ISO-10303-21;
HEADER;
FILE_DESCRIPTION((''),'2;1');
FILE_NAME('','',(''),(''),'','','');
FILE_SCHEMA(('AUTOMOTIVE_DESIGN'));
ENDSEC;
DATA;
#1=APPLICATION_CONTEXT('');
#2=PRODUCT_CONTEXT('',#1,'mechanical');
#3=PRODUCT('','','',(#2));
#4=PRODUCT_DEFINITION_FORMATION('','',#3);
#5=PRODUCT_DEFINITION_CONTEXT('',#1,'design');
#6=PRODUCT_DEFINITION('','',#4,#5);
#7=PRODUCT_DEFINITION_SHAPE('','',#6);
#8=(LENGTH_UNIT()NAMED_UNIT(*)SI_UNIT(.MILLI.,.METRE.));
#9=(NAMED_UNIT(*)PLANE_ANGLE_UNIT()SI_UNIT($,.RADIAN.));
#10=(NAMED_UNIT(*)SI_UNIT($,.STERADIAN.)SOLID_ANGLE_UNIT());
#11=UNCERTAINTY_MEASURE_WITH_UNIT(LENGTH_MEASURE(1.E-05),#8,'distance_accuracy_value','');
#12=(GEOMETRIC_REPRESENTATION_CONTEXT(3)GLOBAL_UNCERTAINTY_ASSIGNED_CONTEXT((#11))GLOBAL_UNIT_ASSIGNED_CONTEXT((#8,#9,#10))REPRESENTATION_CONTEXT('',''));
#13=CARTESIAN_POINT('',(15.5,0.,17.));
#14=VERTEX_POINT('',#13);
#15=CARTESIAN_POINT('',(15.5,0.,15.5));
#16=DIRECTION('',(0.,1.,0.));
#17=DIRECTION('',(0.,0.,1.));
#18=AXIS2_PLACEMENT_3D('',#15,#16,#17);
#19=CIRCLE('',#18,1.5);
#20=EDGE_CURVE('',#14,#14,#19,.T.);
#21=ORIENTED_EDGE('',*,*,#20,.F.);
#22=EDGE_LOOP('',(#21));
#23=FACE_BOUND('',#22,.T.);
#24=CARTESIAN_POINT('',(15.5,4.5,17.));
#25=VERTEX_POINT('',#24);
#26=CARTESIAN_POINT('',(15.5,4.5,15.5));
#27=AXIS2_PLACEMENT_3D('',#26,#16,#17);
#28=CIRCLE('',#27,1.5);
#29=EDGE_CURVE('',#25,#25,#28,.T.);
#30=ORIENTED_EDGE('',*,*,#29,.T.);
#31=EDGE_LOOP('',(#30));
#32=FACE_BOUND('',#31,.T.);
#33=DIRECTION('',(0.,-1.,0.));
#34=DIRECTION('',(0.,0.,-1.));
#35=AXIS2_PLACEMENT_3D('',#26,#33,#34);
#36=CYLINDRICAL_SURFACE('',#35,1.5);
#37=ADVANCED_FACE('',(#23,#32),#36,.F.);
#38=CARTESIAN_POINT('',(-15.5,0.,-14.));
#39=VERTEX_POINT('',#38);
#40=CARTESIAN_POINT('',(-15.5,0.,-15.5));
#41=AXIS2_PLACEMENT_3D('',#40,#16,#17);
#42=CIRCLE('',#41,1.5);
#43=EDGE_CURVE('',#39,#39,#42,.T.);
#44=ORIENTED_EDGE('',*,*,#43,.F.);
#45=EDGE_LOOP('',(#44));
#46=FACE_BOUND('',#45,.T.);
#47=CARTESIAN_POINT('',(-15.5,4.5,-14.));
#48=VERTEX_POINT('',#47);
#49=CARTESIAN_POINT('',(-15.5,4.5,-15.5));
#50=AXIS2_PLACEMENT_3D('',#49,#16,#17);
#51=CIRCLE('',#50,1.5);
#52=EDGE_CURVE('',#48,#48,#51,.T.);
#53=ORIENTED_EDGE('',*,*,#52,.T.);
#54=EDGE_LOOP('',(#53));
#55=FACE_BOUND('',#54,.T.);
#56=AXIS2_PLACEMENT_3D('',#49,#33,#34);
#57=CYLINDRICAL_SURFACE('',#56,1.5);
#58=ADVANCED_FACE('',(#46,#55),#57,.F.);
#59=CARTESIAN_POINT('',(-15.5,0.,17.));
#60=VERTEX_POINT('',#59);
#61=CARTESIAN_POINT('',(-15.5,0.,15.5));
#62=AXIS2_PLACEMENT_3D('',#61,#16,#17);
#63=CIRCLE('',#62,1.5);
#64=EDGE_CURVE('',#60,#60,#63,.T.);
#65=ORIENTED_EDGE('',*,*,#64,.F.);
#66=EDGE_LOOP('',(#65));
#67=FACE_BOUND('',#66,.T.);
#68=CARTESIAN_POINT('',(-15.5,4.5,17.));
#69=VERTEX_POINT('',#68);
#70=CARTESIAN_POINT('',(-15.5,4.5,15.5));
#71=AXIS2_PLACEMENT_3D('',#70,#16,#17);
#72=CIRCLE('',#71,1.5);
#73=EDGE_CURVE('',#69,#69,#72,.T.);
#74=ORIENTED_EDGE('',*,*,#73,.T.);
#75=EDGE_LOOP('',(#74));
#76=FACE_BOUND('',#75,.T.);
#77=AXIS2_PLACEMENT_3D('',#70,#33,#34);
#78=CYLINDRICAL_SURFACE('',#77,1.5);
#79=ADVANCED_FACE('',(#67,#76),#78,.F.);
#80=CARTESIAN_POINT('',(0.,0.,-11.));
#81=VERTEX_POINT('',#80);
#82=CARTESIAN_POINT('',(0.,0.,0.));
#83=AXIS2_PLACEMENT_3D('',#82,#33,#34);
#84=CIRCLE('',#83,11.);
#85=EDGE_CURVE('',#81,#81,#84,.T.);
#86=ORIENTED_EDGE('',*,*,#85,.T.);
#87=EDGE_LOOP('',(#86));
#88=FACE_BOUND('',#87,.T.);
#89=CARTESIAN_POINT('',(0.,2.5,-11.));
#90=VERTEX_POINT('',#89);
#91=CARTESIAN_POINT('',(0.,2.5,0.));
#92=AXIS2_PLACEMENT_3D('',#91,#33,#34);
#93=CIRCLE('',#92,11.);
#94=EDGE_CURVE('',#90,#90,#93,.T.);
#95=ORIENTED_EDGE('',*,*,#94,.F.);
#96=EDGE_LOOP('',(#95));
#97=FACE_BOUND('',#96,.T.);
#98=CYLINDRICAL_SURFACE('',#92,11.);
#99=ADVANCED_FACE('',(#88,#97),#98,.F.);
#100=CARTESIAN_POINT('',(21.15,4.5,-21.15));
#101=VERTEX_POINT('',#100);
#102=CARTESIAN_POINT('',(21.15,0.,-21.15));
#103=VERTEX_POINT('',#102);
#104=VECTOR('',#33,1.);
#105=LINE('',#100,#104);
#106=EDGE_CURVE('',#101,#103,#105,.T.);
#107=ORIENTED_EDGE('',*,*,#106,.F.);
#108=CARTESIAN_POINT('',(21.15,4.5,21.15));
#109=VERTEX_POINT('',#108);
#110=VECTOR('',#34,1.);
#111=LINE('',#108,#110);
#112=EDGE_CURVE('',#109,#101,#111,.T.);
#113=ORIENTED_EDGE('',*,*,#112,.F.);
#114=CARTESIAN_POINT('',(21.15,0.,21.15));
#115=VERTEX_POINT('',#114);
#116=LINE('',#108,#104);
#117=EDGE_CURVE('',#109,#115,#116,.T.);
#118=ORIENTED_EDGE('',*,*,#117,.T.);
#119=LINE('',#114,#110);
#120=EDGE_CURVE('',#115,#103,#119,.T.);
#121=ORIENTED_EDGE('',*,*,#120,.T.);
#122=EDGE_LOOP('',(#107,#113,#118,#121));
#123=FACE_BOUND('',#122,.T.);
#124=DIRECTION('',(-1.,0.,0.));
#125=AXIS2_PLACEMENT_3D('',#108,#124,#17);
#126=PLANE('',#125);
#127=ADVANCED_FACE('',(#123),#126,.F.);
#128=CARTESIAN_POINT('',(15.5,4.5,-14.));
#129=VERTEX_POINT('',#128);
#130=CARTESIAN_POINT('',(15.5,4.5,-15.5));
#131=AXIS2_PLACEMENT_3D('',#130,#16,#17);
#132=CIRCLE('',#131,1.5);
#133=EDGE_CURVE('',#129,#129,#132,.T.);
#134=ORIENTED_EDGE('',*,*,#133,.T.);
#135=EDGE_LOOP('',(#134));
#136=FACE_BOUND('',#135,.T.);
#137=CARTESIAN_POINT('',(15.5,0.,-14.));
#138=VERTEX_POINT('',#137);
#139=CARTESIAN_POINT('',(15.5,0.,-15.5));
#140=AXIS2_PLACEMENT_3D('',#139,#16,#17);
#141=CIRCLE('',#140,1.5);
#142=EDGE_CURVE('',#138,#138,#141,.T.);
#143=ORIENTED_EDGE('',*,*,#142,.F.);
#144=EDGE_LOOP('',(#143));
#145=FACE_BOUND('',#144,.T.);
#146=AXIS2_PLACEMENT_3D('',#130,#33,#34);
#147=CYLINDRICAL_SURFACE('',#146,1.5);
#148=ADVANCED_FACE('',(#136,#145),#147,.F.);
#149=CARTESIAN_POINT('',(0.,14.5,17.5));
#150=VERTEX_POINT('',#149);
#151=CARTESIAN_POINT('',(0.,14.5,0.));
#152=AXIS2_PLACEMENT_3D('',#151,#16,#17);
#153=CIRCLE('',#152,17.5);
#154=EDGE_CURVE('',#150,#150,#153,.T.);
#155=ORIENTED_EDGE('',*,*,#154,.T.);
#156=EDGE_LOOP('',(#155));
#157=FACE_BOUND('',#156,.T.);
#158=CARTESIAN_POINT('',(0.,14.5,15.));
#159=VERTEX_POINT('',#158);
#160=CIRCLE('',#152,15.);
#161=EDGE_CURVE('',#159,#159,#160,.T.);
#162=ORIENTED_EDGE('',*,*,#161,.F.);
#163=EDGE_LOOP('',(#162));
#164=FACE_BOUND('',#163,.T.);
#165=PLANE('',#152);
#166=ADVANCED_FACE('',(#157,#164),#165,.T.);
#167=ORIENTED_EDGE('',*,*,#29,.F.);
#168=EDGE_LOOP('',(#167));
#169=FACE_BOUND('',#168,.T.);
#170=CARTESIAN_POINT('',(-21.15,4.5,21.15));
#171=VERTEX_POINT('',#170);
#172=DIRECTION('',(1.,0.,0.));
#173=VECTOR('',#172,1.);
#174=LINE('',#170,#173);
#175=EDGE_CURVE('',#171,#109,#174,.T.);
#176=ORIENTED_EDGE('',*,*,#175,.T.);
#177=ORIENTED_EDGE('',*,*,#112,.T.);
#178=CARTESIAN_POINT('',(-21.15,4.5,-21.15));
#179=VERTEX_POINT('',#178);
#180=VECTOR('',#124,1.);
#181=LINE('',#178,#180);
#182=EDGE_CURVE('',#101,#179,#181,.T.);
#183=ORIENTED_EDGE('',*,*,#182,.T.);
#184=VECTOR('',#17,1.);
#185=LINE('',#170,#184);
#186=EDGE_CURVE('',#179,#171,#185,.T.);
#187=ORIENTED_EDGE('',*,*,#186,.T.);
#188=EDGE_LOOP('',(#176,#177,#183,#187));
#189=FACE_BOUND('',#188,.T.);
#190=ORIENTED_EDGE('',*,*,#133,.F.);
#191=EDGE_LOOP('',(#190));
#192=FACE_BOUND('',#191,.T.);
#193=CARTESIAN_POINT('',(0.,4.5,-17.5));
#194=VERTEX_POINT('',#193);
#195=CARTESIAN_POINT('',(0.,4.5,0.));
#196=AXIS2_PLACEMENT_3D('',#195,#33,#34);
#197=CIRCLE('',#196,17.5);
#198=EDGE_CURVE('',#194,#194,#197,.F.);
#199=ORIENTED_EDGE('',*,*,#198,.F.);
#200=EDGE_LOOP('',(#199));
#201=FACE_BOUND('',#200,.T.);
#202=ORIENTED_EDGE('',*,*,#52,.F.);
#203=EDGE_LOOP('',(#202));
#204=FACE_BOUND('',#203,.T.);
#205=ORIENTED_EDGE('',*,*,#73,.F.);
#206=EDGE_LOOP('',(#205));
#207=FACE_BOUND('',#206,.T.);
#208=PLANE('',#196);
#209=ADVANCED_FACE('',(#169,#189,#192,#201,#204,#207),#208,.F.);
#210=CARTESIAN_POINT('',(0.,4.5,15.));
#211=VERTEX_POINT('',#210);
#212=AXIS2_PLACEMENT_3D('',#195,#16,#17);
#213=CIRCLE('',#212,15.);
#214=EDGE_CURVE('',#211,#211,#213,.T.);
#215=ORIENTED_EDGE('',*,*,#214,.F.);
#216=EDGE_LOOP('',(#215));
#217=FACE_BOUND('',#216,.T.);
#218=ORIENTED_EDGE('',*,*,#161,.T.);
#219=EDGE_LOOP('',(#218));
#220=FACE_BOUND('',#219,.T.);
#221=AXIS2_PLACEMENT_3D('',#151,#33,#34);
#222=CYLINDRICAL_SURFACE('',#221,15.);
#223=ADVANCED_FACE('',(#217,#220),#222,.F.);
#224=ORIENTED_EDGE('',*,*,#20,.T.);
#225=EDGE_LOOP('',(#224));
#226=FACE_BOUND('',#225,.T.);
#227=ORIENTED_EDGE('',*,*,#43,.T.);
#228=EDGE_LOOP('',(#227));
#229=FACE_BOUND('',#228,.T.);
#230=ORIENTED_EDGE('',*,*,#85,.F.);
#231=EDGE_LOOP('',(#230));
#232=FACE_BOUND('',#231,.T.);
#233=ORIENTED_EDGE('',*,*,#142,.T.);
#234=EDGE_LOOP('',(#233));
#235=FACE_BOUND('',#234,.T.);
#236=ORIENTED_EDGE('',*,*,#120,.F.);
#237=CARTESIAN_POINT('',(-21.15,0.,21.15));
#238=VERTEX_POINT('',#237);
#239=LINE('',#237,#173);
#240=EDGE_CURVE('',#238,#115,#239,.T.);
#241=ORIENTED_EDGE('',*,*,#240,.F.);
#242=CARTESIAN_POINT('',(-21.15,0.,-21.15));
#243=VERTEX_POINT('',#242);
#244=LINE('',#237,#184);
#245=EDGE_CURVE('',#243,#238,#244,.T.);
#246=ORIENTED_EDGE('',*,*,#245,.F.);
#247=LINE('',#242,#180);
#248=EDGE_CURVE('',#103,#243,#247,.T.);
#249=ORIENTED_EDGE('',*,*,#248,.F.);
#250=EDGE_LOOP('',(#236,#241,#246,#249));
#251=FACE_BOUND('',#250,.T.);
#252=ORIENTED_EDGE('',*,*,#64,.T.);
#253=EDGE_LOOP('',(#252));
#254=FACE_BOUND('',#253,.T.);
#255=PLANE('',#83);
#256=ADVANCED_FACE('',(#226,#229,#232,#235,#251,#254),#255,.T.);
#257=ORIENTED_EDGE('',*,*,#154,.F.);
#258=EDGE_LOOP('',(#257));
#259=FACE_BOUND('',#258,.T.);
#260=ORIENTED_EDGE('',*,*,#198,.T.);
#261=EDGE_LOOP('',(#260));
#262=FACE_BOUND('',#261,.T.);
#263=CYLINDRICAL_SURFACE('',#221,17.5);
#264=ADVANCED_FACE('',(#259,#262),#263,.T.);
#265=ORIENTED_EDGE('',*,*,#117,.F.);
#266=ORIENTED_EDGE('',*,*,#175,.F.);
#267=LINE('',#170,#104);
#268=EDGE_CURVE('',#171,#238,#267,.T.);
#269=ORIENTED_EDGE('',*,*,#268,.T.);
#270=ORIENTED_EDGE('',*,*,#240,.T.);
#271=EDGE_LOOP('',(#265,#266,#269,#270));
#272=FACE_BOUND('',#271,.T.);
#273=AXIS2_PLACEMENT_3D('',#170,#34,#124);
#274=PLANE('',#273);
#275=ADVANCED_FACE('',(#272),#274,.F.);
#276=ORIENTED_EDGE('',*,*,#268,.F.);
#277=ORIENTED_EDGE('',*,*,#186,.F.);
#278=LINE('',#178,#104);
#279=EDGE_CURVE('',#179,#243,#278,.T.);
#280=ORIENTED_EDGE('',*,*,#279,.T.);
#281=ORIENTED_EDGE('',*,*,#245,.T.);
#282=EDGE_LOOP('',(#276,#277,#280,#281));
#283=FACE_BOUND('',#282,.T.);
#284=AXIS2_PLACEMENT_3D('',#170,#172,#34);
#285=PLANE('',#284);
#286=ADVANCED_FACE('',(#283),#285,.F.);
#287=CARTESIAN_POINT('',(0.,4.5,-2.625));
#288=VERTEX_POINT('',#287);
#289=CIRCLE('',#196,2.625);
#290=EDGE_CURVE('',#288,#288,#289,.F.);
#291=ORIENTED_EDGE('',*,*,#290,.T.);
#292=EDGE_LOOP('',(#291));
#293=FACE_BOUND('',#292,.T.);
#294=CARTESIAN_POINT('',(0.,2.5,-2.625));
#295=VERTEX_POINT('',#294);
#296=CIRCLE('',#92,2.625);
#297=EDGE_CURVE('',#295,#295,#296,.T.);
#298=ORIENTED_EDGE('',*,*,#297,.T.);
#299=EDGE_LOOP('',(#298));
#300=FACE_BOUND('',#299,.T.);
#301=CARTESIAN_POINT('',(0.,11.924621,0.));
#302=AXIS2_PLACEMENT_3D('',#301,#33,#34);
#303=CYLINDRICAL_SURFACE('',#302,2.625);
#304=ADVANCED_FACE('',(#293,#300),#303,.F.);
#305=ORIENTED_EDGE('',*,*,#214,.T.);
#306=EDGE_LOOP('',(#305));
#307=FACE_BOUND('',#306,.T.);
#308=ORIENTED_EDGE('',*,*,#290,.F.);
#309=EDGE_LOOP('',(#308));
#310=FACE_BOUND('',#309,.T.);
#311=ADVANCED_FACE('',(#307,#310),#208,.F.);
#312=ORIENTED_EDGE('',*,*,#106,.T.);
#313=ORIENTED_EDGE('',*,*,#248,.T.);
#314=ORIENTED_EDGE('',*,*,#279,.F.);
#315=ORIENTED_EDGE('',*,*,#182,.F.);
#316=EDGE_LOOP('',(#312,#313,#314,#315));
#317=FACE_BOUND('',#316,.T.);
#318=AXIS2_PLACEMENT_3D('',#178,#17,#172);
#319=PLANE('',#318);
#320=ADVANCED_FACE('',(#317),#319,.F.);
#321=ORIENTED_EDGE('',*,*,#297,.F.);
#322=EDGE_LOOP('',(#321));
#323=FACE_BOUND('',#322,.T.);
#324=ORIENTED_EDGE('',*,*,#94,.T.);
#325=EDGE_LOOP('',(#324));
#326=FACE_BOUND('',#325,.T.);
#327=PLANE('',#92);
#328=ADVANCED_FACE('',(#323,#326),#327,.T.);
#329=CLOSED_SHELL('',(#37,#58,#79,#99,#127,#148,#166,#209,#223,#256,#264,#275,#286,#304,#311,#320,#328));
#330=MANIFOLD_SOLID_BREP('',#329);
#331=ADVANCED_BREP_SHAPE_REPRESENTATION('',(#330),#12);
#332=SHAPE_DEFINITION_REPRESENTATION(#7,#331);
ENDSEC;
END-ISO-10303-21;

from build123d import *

# Parameters (mm, degrees)
SKETCH1_W           = 42.3
SKETCH1_H           = 42.3
SKETCH1_R           = 1.5
BOSS_EXTRUDE1_DEPTH = 4.5
SKETCH2_R           = 11
CUT_EXTRUDE1_DEPTH  = 2.5
SKETCH3_R           = 2.625
CUT_EXTRUDE2_DEPTH  = 2
SKETCH4_R           = 17.5
SKETCH4_R_2         = 15
BOSS_EXTRUDE2_DEPTH = 10


with BuildPart() as part:
    # Sketch1 → Boss-Extrude1 (new body)
    with BuildSketch(Plane(origin=(0, 0, 0), x_dir=(1, 0, 0), z_dir=(0, 1, 0))):
        Rectangle(SKETCH1_W, SKETCH1_H)
        with Locations(Location((-15.5, 15.5, 0), (0, 0, 270))):
            Circle(SKETCH1_R, mode=Mode.SUBTRACT)
        with Locations(Location((15.5, 15.5, 0), (0, 0, 270))):
            Circle(SKETCH1_R, mode=Mode.SUBTRACT)
        with Locations(Location((-15.5, -15.5, 0), (0, 0, 270))):
            Circle(SKETCH1_R, mode=Mode.SUBTRACT)
        with Locations(Location((15.5, -15.5, 0), (0, 0, 270))):
            Circle(SKETCH1_R, mode=Mode.SUBTRACT)
    extrude(amount=BOSS_EXTRUDE1_DEPTH)

    # Sketch2 → Cut-Extrude1 (cut)
    with BuildSketch(Plane.XZ):
        with Locations(Location((0, 0, 0), (0, 0, 270))):
            Circle(SKETCH2_R)
    extrude(amount=-CUT_EXTRUDE1_DEPTH, mode=Mode.SUBTRACT)

    # Sketch3 → Cut-Extrude2 (cut)
    with BuildSketch(Plane.XZ.offset(-2.5)):
        with Locations(Location((0, 0, 0), (0, 0, 270))):
            Circle(SKETCH3_R)
    extrude(amount=-CUT_EXTRUDE2_DEPTH, mode=Mode.SUBTRACT)

    # Sketch4 → Boss-Extrude2 (add)
    with BuildSketch(Plane(origin=(0, 4.5, 0), x_dir=(1, 0, 0), z_dir=(0, 1, 0))):
        with Locations(Location((0, 0, 0), (0, 0, 90))):
            Circle(SKETCH4_R)
        with Locations(Location((0, 0, 0), (0, 0, 270))):
            Circle(SKETCH4_R_2, mode=Mode.SUBTRACT)
    extrude(amount=BOSS_EXTRUDE2_DEPTH)


solid = part.part
